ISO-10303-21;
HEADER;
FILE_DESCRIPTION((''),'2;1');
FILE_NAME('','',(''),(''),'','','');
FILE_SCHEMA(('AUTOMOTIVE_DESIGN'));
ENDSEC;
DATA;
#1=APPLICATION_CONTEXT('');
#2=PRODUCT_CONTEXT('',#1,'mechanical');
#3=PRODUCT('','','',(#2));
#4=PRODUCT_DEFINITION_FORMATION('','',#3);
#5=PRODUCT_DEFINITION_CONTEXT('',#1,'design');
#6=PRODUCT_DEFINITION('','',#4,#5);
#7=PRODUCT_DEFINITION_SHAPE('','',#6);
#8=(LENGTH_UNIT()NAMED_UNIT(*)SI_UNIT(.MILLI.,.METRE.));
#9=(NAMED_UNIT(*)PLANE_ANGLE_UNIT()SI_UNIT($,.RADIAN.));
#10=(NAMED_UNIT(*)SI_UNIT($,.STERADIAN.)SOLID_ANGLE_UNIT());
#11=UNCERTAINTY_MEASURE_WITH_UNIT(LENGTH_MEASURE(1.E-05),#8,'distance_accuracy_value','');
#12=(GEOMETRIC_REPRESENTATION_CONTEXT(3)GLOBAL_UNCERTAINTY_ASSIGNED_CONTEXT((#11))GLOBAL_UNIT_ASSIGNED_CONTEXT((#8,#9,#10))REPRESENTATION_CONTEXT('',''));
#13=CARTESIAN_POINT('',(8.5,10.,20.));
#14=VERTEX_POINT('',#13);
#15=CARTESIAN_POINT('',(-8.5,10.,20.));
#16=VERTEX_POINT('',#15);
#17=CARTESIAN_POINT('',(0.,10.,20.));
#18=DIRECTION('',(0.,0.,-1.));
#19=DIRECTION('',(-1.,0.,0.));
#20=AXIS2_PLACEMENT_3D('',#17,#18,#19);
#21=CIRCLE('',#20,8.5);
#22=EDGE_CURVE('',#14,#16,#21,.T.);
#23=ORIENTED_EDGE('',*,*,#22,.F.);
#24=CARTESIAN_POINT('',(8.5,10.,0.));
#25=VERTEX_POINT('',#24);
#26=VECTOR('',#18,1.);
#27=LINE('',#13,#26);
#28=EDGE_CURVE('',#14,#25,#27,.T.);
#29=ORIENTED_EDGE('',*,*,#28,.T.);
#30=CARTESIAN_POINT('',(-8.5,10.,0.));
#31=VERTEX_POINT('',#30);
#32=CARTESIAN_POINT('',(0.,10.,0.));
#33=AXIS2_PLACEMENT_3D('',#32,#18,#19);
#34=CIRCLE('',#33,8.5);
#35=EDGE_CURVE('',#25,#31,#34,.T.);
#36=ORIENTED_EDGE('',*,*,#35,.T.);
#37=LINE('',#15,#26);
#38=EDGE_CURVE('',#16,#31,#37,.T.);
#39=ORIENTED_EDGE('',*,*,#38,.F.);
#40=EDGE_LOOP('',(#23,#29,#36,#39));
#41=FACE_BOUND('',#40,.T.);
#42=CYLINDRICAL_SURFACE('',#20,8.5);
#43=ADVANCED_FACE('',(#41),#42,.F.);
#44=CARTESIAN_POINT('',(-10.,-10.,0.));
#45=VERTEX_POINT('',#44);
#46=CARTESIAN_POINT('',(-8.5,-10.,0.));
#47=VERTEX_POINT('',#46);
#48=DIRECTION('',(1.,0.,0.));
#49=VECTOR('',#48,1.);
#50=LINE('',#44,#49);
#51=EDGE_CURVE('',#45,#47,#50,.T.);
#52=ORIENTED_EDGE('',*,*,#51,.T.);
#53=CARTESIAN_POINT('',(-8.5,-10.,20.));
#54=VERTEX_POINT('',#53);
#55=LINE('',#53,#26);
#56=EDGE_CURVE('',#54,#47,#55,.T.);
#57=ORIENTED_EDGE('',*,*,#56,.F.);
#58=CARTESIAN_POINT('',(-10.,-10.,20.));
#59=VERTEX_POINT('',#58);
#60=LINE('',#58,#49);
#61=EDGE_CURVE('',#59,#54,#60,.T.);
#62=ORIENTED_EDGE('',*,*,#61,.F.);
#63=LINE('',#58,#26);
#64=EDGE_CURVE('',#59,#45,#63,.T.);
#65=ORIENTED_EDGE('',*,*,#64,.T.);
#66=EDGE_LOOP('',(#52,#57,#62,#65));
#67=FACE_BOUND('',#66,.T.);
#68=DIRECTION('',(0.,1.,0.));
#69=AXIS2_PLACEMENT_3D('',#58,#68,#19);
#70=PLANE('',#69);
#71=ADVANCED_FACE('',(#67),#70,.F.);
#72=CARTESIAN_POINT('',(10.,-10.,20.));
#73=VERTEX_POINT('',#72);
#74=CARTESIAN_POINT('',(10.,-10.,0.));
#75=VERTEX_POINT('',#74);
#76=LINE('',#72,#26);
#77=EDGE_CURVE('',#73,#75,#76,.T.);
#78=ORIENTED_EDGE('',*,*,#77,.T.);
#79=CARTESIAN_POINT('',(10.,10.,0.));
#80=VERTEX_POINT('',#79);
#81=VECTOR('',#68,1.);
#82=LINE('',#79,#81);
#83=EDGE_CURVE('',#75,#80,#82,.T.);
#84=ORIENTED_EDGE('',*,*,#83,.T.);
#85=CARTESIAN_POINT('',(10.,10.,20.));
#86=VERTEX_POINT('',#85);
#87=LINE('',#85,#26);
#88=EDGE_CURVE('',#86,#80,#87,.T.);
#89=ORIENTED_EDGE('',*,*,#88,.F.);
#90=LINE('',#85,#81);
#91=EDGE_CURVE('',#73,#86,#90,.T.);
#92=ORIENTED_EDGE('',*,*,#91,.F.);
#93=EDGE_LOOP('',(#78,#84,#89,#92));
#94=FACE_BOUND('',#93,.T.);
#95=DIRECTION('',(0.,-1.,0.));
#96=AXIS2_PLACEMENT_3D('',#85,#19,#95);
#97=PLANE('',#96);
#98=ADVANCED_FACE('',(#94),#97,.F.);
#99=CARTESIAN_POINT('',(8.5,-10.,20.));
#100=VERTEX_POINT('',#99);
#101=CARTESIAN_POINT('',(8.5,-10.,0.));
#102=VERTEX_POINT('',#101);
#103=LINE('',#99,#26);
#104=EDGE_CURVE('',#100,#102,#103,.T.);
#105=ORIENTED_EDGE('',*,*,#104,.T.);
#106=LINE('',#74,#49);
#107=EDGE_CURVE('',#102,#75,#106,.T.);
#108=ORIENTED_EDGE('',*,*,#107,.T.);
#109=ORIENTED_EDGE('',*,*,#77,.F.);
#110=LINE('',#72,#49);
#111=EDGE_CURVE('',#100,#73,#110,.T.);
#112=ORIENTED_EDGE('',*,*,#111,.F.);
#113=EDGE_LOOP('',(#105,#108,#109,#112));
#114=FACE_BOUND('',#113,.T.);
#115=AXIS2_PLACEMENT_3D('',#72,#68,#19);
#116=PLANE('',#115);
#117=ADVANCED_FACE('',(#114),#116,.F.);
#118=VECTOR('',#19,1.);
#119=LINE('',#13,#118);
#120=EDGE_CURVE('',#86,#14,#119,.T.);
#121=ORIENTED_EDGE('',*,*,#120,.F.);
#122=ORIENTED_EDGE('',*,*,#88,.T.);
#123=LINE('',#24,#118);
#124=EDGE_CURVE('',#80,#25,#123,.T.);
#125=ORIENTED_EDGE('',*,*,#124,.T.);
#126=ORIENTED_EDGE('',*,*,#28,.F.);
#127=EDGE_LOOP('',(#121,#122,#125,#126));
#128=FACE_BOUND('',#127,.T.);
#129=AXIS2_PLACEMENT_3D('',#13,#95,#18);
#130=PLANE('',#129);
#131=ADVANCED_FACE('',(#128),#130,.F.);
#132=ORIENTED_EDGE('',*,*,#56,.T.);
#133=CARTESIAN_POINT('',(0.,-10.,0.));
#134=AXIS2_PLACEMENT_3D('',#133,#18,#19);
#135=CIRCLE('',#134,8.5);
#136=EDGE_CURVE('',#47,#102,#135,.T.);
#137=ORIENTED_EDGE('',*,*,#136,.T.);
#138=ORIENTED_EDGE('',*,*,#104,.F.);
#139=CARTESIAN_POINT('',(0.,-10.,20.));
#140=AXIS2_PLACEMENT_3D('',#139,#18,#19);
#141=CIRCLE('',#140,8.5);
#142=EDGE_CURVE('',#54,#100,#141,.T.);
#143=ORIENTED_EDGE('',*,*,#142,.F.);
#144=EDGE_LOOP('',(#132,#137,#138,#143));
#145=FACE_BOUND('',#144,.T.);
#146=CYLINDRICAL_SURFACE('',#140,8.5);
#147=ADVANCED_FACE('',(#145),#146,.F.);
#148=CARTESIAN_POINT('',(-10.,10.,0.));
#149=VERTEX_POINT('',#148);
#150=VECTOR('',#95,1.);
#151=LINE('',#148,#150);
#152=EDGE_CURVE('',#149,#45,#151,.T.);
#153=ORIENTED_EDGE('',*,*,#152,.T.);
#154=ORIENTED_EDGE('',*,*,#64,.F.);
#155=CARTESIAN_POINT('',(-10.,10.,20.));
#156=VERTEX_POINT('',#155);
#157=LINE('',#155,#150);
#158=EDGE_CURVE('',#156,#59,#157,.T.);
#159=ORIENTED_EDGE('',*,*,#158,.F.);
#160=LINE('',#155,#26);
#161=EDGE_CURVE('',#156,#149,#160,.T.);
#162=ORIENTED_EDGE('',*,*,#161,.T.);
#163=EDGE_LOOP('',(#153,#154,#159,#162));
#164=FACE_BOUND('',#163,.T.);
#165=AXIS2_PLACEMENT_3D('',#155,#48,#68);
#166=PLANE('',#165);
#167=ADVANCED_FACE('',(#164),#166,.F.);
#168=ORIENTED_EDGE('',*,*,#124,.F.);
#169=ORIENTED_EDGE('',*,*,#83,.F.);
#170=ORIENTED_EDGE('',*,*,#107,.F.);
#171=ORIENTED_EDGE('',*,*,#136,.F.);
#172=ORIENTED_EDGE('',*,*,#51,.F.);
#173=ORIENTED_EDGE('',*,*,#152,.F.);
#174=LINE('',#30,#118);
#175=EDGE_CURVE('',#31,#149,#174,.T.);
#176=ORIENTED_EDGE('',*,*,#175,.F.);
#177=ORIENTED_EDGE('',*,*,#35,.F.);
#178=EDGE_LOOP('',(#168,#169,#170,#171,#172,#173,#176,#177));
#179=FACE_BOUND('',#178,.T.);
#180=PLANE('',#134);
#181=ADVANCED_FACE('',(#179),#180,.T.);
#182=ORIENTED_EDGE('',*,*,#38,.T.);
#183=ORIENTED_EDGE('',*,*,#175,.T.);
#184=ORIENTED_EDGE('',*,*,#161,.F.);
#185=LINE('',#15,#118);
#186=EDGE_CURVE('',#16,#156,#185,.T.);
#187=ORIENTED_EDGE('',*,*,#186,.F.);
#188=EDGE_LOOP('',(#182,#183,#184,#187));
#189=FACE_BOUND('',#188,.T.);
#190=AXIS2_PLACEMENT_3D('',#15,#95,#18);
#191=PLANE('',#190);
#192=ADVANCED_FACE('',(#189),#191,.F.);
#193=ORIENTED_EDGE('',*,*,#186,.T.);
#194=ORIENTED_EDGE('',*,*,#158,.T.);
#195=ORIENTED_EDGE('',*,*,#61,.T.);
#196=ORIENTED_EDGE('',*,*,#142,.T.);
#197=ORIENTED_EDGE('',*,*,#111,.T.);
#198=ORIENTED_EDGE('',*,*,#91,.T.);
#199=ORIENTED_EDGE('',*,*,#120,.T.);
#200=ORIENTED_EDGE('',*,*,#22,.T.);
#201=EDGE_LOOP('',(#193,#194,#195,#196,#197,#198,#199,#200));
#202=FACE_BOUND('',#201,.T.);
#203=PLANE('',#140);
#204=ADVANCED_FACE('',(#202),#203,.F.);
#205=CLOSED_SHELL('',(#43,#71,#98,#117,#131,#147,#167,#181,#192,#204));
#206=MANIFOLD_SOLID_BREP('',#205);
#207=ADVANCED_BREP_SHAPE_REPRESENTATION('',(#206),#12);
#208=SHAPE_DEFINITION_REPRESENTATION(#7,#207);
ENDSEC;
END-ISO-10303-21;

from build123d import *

# Parameters (mm, degrees)
BOSS_EXTRUDE1_DEPTH = 20


with BuildPart() as part:
    # Sketch1 → Boss-Extrude1 (new body)
    with BuildSketch(Plane.XY):
        with BuildLine():
            Line((-10, -10), (-8.5, -10))
            ThreePointArc((-8.5, -10), (0, -1.5), (8.5, -10))
            Line((8.5, -10), (10, -10))
            Line((10, -10), (10, 10))
            Line((10, 10), (8.5, 10))
            ThreePointArc((8.5, 10), (0, 1.5), (-8.5, 10))
            Line((-8.5, 10), (-10, 10))
            Line((-10, 10), (-10, -10))
        make_face()
    extrude(amount=BOSS_EXTRUDE1_DEPTH)


solid = part.part
